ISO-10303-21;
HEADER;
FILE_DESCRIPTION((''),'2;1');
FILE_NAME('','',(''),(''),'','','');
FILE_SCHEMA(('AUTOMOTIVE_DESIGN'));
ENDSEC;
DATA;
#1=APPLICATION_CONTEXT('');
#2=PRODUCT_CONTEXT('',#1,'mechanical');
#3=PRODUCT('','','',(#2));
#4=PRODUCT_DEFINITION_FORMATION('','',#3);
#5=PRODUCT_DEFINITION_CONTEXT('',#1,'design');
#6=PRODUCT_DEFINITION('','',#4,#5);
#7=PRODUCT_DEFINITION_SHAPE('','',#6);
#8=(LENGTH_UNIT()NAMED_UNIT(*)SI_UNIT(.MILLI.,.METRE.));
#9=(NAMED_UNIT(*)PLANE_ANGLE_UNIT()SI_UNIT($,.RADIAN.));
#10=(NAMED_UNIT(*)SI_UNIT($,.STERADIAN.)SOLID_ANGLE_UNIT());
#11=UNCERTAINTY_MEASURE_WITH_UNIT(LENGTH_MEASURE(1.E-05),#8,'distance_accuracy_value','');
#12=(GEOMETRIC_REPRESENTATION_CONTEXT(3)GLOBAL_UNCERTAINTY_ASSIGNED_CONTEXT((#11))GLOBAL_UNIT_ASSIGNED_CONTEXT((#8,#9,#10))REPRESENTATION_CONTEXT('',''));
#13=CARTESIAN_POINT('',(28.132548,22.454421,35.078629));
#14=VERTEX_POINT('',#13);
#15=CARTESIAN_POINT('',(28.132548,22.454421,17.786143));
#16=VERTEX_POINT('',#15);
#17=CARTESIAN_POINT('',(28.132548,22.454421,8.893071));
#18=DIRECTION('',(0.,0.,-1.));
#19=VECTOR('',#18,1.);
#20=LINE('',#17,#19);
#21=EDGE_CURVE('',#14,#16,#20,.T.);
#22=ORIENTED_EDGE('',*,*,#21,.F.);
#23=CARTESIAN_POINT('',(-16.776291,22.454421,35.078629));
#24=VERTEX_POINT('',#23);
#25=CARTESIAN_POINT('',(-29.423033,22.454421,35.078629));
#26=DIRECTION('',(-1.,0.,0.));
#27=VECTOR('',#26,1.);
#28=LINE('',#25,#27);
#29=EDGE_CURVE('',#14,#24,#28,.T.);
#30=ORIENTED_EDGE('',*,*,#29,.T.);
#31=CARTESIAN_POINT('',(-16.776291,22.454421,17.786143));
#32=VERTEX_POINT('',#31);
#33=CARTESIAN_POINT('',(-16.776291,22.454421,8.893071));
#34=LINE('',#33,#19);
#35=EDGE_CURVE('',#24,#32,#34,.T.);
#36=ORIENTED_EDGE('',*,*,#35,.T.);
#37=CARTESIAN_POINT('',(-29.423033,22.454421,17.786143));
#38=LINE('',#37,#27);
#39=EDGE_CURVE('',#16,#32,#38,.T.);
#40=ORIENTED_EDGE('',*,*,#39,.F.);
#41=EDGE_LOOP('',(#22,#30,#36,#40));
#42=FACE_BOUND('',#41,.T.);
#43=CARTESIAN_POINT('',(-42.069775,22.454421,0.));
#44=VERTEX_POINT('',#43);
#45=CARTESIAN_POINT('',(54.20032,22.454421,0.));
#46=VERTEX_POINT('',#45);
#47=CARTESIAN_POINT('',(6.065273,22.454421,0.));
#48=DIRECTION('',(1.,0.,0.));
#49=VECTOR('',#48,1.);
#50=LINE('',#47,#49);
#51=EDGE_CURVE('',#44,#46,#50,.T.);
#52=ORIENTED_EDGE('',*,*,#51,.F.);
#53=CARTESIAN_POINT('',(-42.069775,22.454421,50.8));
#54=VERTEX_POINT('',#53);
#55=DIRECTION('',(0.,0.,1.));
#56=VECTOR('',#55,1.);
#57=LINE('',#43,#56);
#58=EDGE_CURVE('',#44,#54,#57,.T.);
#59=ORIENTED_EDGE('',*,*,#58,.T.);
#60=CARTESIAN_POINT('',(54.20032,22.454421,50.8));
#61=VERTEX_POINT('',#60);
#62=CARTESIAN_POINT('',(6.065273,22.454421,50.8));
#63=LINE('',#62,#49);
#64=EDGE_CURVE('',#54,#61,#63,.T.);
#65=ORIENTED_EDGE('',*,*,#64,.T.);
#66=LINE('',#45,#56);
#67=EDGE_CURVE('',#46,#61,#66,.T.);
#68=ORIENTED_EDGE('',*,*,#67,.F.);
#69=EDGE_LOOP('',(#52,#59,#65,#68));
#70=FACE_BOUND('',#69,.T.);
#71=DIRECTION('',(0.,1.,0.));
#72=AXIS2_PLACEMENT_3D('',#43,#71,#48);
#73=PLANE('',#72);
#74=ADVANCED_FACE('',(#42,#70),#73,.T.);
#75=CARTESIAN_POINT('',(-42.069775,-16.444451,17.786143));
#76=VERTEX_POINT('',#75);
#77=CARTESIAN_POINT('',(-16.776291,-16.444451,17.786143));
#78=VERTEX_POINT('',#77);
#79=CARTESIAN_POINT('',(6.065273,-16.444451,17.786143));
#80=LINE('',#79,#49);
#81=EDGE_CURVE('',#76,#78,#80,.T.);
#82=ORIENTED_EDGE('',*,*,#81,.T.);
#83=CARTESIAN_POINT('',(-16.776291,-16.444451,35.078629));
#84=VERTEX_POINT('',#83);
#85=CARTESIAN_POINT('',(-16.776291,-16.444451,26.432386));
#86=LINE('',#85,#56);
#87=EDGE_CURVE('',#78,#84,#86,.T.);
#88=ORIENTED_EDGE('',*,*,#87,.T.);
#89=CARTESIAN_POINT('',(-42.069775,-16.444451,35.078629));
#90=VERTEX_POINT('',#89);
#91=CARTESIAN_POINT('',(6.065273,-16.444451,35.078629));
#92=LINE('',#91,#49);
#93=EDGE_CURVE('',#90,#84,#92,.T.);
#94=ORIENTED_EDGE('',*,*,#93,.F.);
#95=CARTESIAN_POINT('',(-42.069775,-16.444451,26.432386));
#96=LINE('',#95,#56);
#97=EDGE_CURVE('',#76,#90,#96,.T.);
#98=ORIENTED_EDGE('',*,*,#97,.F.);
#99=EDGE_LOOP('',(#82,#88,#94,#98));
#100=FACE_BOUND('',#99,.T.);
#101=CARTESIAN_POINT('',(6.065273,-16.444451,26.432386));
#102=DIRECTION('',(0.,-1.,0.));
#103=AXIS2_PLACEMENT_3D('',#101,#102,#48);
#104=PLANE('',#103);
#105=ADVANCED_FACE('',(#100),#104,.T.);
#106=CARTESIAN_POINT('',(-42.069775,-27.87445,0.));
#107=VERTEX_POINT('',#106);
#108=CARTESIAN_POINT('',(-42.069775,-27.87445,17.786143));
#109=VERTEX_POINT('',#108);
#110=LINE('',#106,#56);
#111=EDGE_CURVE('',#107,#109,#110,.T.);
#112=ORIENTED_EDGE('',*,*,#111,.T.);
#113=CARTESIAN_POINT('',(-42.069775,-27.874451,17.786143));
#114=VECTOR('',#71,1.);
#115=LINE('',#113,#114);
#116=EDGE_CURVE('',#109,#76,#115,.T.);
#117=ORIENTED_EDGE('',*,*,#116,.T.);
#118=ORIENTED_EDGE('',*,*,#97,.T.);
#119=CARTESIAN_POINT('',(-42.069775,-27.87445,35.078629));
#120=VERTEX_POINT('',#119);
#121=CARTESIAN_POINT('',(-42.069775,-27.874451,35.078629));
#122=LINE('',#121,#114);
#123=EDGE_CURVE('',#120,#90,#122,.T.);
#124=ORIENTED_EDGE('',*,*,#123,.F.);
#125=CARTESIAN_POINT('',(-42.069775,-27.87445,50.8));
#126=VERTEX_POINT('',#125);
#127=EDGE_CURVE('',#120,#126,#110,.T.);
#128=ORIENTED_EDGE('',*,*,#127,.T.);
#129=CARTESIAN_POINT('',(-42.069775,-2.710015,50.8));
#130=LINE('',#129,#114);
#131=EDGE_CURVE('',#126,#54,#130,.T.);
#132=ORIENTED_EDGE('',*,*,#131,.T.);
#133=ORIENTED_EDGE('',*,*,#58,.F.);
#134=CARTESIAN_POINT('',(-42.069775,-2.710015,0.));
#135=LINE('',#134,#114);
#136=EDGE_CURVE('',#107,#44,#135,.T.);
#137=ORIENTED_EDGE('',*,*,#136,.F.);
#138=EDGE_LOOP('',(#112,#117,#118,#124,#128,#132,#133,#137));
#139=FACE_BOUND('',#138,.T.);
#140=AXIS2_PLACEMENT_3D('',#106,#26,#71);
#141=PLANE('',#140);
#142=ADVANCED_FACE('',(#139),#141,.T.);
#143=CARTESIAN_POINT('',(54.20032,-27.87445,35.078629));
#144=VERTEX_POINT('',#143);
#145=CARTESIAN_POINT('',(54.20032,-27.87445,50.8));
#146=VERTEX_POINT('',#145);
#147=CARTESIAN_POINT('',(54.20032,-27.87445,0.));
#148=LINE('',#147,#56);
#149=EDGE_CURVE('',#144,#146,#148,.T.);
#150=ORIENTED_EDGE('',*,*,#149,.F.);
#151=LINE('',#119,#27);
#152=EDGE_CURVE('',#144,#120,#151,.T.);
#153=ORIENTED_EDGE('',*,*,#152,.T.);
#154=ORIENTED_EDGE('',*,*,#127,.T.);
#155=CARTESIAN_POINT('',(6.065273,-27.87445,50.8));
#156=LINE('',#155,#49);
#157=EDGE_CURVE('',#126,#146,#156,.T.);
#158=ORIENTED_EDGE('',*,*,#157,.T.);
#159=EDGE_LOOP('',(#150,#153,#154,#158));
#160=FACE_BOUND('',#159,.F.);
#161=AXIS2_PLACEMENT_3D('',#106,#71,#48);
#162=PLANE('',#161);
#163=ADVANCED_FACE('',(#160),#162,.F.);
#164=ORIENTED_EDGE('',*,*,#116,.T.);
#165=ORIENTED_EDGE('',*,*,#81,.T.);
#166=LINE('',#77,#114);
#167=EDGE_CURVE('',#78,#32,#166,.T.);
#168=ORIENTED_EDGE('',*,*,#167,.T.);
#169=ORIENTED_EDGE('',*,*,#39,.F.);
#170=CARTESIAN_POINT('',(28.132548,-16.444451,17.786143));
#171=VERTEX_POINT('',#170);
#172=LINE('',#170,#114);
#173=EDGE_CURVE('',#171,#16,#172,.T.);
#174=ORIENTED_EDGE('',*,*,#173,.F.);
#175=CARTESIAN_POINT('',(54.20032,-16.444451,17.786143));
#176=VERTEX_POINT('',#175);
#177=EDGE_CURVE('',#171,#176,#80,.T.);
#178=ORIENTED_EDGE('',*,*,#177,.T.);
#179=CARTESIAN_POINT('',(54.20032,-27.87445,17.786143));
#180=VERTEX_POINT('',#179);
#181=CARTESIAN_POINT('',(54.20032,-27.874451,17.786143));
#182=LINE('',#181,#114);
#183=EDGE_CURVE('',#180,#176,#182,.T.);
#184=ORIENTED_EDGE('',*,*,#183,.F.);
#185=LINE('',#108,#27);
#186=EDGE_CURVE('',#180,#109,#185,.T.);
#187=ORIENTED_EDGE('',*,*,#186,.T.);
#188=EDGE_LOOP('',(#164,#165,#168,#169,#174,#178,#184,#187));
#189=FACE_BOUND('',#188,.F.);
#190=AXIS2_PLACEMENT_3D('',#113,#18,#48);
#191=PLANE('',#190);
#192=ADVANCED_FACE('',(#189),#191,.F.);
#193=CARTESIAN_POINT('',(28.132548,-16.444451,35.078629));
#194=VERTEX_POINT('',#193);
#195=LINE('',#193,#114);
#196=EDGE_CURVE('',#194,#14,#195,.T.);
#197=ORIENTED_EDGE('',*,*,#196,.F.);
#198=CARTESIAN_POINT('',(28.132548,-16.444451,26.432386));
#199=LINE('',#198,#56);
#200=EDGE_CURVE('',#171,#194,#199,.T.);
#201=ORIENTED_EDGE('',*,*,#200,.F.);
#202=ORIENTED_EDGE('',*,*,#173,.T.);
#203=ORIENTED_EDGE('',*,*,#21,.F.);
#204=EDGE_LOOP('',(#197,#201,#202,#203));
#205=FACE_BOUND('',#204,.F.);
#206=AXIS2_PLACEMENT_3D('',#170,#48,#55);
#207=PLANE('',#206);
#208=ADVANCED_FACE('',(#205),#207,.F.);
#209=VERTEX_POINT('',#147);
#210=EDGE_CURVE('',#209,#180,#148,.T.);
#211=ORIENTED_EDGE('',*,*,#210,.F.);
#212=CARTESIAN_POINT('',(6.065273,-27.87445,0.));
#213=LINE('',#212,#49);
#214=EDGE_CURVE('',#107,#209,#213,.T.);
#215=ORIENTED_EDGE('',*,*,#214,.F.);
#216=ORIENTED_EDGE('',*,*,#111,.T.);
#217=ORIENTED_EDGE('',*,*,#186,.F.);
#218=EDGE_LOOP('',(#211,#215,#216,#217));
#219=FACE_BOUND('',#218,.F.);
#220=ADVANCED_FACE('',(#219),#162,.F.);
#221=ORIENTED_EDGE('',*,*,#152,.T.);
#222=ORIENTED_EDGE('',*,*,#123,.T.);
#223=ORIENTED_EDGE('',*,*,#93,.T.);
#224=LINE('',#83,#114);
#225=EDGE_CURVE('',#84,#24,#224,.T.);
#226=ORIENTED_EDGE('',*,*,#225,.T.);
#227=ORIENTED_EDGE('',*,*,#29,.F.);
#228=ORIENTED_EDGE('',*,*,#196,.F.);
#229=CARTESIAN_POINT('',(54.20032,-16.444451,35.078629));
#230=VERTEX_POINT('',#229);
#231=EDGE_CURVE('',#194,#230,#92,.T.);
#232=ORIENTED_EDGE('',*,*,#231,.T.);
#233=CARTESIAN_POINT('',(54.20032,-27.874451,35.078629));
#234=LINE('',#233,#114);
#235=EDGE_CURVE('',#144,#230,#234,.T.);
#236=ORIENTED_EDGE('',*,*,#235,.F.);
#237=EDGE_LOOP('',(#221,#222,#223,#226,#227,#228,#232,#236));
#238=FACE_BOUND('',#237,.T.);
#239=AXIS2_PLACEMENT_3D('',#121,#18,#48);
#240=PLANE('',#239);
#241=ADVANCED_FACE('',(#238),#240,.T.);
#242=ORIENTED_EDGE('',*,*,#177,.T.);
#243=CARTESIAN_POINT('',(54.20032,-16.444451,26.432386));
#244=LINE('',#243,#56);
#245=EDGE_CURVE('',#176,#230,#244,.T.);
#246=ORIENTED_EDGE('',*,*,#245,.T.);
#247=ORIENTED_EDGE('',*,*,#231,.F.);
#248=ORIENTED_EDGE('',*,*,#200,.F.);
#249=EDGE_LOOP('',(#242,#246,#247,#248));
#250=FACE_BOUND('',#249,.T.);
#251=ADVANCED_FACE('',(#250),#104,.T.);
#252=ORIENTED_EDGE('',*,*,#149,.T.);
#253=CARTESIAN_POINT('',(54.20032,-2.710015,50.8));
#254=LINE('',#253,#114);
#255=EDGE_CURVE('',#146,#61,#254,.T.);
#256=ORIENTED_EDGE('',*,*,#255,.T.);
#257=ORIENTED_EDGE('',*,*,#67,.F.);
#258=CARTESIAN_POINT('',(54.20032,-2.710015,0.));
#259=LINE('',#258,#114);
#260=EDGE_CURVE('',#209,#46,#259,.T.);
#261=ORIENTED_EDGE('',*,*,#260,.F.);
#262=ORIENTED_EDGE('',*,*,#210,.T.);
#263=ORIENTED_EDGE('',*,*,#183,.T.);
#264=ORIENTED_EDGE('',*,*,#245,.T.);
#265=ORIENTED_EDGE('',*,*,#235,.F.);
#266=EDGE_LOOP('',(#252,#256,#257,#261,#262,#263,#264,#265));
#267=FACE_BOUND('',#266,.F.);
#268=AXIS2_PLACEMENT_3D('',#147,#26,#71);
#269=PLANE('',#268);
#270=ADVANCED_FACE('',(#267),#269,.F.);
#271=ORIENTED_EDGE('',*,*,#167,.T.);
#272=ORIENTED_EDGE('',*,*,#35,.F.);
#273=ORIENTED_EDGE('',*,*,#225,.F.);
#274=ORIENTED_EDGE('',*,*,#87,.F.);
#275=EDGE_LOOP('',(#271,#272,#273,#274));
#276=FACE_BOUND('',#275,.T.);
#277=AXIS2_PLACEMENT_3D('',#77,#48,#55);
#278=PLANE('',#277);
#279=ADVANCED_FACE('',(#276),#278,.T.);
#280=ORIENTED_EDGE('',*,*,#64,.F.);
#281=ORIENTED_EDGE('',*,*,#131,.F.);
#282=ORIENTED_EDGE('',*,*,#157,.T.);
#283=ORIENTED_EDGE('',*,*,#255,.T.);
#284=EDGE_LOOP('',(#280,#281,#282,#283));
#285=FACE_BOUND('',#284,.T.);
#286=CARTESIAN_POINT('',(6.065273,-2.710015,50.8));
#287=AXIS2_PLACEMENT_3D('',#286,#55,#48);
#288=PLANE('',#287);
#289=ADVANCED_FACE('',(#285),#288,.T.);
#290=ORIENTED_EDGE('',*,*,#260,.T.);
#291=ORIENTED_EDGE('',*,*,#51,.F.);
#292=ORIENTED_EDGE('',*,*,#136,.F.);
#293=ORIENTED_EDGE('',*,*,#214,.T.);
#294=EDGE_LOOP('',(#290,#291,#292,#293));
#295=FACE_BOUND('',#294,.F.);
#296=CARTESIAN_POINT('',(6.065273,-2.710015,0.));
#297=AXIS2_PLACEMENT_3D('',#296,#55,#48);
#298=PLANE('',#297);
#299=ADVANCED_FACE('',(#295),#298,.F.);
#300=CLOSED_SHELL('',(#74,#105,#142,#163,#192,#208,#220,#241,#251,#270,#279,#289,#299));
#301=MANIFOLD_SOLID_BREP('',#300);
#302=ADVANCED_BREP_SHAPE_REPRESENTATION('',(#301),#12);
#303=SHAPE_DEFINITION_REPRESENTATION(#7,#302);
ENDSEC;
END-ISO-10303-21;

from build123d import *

# Parameters (mm, degrees)
F0_W     = 96.270095
F0_H     = 50.328871
F1_DEPTH = 50.8
F2_W     = 96.270095
F2_H     = 17.292487
F3_DEPTH = 11.43
F4_W     = 44.908839
F4_H     = 17.292487
F5_DEPTH = 70.104


with BuildPart() as f1:
    # F0 (on Top) → F1 (new body)
    with BuildSketch(Plane.XY):
        with Locations((6.065273, -2.710015)):
            Rectangle(F0_W, F0_H)
    extrude(amount=F1_DEPTH)

    # F2 (on face) → F3 (cut)
    with BuildSketch(Plane.XZ.offset(27.874451)):
        with Locations((6.065273, 26.432386)):
            Rectangle(F2_W, F2_H)
    extrude(amount=-F3_DEPTH, mode=Mode.SUBTRACT)

    # F4 (on face) → F5 (cut)
    with BuildSketch(Plane.XZ.offset(16.444451)):
        with Locations((5.678129, 26.432386)):
            Rectangle(F4_W, F4_H)
    extrude(amount=-F5_DEPTH, mode=Mode.SUBTRACT)


solid = f1.part
